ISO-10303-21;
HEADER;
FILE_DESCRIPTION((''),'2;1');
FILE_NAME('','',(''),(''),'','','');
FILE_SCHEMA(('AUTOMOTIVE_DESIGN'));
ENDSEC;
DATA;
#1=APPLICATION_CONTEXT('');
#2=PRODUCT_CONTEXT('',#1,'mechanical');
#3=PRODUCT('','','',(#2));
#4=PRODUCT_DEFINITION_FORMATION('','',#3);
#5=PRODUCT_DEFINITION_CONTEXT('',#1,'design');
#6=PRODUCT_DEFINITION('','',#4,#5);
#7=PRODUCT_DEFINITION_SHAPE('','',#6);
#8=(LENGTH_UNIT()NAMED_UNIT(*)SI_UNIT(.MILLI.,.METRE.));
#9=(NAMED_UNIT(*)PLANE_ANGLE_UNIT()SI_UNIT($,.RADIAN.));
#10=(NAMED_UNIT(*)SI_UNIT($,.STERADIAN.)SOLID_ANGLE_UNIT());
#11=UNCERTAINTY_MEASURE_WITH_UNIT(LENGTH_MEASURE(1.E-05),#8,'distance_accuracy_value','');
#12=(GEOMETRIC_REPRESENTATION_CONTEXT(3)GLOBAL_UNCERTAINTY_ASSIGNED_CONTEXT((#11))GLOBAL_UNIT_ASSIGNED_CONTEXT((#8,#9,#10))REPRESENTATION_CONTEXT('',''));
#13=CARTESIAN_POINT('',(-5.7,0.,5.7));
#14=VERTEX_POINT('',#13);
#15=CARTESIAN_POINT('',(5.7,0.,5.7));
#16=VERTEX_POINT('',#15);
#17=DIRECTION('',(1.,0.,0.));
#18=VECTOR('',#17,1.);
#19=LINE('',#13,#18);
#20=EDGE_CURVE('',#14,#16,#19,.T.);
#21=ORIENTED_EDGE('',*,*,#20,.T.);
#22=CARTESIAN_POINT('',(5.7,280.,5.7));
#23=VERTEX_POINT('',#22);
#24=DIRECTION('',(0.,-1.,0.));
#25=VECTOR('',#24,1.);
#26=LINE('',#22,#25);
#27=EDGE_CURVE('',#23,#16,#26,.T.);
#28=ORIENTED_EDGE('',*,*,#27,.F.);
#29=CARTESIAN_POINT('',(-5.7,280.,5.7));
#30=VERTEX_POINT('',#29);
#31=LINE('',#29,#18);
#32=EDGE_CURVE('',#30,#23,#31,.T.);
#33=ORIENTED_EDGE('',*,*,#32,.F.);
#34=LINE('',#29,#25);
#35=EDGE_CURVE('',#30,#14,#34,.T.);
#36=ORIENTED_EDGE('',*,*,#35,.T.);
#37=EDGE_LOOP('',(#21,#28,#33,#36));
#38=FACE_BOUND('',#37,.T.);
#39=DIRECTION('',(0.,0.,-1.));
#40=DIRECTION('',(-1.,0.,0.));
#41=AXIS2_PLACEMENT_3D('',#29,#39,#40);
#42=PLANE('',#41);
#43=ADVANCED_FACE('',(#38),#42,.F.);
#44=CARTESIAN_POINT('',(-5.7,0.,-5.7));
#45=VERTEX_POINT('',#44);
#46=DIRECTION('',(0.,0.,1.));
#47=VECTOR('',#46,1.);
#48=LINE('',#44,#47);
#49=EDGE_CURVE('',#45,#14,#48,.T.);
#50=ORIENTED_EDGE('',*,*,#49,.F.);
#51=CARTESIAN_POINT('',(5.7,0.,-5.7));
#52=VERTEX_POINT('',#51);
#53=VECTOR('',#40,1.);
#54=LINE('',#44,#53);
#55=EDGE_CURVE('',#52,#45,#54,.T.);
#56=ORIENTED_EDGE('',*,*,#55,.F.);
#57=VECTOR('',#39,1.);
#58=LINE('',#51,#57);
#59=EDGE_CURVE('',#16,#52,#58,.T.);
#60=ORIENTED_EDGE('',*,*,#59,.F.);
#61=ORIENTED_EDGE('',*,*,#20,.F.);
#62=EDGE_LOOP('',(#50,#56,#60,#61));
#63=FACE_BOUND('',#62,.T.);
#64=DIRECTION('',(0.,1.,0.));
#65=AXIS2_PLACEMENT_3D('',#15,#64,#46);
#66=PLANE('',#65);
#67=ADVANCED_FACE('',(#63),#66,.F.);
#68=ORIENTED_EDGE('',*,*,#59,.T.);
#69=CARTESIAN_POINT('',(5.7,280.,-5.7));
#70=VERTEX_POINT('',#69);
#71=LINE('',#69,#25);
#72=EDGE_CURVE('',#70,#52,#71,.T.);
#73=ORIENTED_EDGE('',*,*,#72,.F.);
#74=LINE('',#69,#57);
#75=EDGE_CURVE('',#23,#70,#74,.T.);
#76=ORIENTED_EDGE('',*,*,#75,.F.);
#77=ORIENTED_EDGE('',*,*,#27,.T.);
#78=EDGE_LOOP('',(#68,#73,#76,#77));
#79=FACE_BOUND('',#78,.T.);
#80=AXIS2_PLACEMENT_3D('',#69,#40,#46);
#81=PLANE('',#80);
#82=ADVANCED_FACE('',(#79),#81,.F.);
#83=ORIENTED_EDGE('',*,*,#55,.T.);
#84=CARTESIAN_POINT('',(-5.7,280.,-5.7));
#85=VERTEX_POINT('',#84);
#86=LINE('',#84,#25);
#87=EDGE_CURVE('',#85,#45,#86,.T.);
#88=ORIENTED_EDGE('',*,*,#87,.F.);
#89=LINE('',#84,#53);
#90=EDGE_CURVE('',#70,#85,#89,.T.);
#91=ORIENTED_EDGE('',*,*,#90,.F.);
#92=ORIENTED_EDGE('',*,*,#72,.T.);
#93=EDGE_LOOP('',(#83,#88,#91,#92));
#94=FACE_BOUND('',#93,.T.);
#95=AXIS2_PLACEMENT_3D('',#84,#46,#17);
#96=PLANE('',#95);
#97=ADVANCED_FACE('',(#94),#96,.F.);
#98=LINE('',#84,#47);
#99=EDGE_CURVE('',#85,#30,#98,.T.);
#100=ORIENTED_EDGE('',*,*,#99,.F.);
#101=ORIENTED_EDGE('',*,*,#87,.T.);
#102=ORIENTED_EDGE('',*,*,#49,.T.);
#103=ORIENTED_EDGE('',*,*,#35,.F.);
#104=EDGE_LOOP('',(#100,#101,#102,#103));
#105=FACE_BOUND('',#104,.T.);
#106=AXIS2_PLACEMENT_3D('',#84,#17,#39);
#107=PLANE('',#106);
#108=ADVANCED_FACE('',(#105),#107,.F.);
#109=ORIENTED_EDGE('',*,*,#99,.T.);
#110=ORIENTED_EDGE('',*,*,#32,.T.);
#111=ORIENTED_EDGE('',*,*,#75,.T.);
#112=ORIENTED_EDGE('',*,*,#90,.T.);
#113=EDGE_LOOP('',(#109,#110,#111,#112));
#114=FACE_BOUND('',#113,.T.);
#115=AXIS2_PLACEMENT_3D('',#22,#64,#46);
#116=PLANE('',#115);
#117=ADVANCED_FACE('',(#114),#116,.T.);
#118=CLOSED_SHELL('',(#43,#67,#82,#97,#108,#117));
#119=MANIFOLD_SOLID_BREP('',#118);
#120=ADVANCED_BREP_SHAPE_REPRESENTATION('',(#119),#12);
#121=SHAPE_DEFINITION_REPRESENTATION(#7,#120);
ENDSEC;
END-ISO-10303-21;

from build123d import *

# Parameters (mm, degrees)
ESQUISSE1_W        = 11.4
ESQUISSE1_H        = 11.4
BOSS_EXTRU_1_DEPTH = 280


with BuildPart() as part:
    # Esquisse1 → Boss.-Extru.1 (new body)
    with BuildSketch(Plane(origin=(0, 0, 0), x_dir=(1, 0, 0), z_dir=(0, 1, 0))):
        Rectangle(ESQUISSE1_W, ESQUISSE1_H)
    extrude(amount=BOSS_EXTRU_1_DEPTH)


solid = part.part
